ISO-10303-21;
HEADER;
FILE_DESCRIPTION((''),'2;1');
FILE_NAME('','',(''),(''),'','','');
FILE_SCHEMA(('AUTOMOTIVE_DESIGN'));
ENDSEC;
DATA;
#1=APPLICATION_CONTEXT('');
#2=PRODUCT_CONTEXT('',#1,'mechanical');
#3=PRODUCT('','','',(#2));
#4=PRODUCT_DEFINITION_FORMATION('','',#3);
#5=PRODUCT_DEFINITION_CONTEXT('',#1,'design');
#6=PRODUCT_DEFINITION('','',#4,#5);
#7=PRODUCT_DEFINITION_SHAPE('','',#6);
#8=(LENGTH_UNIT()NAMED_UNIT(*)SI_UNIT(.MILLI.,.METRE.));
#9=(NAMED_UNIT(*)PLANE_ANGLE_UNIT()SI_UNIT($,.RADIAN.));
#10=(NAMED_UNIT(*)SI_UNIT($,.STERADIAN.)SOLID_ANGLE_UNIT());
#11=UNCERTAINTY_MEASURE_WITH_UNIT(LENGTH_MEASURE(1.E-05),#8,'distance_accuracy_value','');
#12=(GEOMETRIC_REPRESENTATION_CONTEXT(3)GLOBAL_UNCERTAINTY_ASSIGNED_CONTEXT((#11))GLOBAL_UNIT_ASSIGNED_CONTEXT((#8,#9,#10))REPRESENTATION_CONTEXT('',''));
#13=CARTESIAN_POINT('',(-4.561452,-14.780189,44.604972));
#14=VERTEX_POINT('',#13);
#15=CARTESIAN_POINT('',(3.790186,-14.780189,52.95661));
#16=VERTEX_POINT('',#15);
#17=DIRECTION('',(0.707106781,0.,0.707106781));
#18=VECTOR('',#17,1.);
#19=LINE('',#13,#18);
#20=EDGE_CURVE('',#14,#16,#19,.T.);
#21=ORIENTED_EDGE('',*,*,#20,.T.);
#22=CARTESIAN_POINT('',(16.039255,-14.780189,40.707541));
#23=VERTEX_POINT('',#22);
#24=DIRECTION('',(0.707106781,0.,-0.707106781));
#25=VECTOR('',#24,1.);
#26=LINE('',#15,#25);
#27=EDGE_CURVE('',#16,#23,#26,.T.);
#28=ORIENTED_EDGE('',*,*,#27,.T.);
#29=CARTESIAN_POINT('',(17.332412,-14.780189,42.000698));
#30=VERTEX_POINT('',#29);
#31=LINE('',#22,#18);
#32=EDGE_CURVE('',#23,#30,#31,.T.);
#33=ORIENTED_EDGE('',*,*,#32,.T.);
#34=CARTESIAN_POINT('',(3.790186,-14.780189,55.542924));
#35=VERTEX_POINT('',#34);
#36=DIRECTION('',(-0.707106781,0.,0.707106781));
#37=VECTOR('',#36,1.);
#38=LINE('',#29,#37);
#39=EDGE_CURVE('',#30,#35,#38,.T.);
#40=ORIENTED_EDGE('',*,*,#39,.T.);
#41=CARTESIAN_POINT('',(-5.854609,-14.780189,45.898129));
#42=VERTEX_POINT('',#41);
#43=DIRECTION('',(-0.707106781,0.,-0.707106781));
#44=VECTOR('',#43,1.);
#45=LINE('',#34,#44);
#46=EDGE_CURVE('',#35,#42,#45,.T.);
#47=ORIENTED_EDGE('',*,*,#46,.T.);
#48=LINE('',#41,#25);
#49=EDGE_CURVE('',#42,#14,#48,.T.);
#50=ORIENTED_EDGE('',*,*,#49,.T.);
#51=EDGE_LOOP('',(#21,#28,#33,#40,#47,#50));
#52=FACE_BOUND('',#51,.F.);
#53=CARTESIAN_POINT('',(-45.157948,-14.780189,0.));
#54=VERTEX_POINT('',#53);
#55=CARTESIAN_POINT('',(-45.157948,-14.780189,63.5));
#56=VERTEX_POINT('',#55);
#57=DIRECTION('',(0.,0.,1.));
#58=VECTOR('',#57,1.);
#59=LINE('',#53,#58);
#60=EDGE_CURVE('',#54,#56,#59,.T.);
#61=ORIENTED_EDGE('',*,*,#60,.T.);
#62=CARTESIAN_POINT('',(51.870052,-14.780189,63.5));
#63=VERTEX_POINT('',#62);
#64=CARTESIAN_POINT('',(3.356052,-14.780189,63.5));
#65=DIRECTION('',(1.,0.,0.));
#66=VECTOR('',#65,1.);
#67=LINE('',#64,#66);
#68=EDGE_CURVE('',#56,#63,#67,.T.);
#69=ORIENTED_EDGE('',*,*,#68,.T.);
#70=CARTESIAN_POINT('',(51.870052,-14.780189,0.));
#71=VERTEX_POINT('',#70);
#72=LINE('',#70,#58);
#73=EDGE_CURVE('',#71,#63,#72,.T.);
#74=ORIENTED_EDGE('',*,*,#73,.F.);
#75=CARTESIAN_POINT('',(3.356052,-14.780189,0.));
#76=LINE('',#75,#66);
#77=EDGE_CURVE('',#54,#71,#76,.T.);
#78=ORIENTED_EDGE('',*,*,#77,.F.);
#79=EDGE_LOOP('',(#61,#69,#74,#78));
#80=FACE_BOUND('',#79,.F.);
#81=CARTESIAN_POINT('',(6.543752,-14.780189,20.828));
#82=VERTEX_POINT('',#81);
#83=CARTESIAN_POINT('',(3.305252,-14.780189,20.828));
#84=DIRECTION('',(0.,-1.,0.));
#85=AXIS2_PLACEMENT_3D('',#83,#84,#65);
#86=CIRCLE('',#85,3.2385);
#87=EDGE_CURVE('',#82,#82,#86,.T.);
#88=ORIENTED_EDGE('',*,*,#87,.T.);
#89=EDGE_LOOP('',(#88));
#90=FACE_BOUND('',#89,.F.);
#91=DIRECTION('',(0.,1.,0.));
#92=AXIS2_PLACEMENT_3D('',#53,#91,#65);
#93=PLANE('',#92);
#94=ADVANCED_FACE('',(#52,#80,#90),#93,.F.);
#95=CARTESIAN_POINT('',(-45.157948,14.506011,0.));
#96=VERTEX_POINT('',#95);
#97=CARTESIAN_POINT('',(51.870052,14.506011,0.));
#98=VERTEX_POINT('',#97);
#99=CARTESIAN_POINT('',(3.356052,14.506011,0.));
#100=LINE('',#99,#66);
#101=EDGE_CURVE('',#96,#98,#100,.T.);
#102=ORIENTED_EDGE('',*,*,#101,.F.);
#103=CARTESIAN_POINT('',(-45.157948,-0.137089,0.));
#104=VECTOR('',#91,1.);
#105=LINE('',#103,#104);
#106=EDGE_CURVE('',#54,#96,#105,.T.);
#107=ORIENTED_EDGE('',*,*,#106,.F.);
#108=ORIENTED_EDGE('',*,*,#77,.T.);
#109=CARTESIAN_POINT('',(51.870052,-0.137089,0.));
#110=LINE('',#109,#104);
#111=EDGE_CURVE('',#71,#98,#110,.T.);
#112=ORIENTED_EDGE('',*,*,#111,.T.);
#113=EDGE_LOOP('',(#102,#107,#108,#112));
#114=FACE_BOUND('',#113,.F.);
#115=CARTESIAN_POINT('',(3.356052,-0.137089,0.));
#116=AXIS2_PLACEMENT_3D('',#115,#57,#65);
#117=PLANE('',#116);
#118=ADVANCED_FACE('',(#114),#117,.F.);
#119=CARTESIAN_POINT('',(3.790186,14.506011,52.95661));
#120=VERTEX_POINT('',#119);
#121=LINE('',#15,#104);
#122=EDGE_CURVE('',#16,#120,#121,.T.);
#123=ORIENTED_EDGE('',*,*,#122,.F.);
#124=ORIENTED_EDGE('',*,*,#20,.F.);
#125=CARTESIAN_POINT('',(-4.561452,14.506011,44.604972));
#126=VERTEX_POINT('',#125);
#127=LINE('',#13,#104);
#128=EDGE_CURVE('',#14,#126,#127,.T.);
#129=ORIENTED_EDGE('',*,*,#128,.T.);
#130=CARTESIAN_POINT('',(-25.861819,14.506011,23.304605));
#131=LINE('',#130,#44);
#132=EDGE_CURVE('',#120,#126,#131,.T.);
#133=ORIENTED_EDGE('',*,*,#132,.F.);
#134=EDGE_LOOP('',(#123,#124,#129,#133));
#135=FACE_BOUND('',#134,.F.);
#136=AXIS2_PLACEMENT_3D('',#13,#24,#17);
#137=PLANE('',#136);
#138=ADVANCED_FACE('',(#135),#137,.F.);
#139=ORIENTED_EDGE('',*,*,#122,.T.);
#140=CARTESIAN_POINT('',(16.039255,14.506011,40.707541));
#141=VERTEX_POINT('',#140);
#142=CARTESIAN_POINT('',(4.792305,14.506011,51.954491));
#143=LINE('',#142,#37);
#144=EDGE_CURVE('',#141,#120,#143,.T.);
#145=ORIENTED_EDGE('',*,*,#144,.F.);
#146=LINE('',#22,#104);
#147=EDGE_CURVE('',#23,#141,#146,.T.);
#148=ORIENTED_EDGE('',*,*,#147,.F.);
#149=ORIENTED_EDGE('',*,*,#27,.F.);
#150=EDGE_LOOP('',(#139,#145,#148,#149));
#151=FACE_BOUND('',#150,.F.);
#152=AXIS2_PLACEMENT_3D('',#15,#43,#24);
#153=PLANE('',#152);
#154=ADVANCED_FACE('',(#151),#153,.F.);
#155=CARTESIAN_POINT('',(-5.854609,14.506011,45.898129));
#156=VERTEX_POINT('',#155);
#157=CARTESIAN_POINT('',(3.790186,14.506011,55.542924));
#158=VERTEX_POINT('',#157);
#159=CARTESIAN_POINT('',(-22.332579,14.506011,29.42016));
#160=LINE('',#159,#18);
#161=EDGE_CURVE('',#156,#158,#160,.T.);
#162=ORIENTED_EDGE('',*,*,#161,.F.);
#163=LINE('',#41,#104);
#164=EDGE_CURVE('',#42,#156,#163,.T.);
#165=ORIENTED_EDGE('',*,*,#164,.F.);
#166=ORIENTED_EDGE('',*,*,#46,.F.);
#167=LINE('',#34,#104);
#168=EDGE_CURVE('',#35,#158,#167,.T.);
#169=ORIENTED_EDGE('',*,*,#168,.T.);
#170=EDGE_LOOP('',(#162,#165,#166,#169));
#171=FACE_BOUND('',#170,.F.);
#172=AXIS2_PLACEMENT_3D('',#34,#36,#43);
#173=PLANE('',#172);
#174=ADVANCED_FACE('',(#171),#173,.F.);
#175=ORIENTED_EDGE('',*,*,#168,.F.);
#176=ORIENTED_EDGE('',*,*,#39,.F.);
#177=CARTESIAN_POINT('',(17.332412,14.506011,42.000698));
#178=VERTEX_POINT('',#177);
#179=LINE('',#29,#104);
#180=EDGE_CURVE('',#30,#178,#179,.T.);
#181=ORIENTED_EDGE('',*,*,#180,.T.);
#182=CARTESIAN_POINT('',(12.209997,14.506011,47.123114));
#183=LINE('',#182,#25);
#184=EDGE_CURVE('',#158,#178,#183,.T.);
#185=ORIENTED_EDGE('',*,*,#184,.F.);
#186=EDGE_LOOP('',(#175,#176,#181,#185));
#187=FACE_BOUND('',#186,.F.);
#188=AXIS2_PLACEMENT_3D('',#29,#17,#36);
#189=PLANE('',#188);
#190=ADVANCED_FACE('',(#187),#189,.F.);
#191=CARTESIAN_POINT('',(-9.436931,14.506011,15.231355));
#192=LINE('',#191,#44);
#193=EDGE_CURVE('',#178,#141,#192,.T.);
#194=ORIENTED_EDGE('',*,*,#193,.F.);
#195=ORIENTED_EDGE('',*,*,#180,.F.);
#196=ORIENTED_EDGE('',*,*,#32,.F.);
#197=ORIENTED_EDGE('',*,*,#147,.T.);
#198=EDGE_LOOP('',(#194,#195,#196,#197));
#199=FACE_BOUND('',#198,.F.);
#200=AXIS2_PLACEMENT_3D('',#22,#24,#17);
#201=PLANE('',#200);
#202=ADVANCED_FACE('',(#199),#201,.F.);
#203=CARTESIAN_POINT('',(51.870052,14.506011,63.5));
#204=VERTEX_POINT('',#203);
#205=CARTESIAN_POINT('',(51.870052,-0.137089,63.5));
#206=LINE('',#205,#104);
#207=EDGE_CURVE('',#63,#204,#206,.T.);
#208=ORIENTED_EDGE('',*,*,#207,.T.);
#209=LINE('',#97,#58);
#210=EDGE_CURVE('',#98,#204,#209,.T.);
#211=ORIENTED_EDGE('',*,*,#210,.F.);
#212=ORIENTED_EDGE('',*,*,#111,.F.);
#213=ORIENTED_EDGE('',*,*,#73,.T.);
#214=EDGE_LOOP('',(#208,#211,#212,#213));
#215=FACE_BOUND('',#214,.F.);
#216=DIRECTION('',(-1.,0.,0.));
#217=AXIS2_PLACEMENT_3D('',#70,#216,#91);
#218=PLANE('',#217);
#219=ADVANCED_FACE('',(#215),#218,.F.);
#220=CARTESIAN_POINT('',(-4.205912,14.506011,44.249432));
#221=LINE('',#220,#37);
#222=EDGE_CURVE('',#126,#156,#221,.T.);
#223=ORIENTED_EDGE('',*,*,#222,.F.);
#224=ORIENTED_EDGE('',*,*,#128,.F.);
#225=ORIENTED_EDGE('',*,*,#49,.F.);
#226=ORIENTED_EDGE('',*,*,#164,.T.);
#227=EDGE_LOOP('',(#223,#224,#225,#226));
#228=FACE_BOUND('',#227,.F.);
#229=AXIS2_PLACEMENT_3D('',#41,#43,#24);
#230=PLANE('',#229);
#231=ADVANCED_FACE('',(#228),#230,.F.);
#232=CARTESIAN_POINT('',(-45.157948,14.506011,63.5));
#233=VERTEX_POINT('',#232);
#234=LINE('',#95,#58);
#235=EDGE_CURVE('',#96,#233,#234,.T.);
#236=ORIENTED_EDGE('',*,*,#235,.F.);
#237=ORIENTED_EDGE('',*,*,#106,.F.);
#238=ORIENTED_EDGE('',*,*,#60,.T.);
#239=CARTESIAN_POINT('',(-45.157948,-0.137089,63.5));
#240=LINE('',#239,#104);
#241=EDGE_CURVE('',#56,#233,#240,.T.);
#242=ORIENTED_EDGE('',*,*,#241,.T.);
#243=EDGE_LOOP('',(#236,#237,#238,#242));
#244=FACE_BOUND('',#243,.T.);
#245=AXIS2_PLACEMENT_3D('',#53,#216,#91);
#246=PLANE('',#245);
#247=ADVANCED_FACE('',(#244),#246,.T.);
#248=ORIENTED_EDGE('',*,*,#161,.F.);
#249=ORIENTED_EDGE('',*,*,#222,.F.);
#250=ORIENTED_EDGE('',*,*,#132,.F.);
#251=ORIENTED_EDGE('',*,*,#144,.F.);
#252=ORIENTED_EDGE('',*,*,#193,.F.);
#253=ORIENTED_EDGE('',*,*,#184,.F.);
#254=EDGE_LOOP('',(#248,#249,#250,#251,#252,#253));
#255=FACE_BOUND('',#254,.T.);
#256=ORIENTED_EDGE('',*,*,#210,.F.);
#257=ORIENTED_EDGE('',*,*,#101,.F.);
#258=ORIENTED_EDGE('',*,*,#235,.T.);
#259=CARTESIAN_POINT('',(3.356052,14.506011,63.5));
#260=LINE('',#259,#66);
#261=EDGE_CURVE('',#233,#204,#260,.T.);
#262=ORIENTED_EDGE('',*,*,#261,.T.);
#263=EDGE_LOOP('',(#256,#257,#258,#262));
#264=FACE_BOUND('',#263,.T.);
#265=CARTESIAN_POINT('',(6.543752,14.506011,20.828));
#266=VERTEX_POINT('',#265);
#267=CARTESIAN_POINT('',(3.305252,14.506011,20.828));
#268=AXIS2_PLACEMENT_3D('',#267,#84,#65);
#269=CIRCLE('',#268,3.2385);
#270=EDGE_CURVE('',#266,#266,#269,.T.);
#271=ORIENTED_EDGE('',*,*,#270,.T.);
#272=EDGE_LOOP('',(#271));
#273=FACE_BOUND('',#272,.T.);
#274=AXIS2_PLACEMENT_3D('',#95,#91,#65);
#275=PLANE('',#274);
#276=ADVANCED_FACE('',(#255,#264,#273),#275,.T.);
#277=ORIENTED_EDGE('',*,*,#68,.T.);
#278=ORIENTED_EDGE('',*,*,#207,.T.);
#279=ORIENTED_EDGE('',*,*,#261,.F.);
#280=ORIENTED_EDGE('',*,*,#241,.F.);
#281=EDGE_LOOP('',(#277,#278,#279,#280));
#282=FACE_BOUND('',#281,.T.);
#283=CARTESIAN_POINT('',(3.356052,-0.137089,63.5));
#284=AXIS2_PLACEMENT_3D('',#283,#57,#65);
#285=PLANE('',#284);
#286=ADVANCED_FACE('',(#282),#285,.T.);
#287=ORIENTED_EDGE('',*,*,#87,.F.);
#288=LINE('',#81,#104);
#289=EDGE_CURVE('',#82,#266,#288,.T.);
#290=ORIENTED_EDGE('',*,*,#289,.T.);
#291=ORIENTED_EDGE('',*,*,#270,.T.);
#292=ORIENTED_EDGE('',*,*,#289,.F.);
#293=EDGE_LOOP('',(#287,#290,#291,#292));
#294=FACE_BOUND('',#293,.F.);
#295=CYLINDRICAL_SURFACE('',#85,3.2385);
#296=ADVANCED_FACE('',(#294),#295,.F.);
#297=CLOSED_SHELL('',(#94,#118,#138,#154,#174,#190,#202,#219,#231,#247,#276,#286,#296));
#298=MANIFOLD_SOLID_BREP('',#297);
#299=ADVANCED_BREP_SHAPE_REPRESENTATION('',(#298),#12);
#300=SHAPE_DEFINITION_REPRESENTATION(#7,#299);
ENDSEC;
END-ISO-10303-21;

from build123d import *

# Parameters (mm, degrees)
F0_W     = 97.028
F0_H     = 29.2862
F1_DEPTH = 63.5
F2_R     = 3.2385
F3_DEPTH = 50.8
F5_DEPTH = 50.8


with BuildPart() as f1:
    # F0 (on Top) → F1 (new body)
    with BuildSketch(Plane.XY):
        with Locations((3.356052, -0.137089)):
            Rectangle(F0_W, F0_H)
    extrude(amount=F1_DEPTH)

    # F2 (on face) → F3 (cut)
    with BuildSketch(Plane.XZ.offset(14.780189)):
        with Locations((3.305252, 20.828)):
            Circle(F2_R)
    extrude(amount=-F3_DEPTH, mode=Mode.SUBTRACT)

    # F4 (on face) → F5 (cut)
    with BuildSketch(Plane.XZ.offset(14.780189)):
        Polygon((17.332412, 42.000698), (3.790186, 55.542924), (-5.854609, 45.898129), (-4.561452, 44.604972), (3.790186, 52.95661), (16.039255, 40.707541), align=None)
    extrude(amount=-F5_DEPTH, mode=Mode.SUBTRACT)


solid = f1.part
